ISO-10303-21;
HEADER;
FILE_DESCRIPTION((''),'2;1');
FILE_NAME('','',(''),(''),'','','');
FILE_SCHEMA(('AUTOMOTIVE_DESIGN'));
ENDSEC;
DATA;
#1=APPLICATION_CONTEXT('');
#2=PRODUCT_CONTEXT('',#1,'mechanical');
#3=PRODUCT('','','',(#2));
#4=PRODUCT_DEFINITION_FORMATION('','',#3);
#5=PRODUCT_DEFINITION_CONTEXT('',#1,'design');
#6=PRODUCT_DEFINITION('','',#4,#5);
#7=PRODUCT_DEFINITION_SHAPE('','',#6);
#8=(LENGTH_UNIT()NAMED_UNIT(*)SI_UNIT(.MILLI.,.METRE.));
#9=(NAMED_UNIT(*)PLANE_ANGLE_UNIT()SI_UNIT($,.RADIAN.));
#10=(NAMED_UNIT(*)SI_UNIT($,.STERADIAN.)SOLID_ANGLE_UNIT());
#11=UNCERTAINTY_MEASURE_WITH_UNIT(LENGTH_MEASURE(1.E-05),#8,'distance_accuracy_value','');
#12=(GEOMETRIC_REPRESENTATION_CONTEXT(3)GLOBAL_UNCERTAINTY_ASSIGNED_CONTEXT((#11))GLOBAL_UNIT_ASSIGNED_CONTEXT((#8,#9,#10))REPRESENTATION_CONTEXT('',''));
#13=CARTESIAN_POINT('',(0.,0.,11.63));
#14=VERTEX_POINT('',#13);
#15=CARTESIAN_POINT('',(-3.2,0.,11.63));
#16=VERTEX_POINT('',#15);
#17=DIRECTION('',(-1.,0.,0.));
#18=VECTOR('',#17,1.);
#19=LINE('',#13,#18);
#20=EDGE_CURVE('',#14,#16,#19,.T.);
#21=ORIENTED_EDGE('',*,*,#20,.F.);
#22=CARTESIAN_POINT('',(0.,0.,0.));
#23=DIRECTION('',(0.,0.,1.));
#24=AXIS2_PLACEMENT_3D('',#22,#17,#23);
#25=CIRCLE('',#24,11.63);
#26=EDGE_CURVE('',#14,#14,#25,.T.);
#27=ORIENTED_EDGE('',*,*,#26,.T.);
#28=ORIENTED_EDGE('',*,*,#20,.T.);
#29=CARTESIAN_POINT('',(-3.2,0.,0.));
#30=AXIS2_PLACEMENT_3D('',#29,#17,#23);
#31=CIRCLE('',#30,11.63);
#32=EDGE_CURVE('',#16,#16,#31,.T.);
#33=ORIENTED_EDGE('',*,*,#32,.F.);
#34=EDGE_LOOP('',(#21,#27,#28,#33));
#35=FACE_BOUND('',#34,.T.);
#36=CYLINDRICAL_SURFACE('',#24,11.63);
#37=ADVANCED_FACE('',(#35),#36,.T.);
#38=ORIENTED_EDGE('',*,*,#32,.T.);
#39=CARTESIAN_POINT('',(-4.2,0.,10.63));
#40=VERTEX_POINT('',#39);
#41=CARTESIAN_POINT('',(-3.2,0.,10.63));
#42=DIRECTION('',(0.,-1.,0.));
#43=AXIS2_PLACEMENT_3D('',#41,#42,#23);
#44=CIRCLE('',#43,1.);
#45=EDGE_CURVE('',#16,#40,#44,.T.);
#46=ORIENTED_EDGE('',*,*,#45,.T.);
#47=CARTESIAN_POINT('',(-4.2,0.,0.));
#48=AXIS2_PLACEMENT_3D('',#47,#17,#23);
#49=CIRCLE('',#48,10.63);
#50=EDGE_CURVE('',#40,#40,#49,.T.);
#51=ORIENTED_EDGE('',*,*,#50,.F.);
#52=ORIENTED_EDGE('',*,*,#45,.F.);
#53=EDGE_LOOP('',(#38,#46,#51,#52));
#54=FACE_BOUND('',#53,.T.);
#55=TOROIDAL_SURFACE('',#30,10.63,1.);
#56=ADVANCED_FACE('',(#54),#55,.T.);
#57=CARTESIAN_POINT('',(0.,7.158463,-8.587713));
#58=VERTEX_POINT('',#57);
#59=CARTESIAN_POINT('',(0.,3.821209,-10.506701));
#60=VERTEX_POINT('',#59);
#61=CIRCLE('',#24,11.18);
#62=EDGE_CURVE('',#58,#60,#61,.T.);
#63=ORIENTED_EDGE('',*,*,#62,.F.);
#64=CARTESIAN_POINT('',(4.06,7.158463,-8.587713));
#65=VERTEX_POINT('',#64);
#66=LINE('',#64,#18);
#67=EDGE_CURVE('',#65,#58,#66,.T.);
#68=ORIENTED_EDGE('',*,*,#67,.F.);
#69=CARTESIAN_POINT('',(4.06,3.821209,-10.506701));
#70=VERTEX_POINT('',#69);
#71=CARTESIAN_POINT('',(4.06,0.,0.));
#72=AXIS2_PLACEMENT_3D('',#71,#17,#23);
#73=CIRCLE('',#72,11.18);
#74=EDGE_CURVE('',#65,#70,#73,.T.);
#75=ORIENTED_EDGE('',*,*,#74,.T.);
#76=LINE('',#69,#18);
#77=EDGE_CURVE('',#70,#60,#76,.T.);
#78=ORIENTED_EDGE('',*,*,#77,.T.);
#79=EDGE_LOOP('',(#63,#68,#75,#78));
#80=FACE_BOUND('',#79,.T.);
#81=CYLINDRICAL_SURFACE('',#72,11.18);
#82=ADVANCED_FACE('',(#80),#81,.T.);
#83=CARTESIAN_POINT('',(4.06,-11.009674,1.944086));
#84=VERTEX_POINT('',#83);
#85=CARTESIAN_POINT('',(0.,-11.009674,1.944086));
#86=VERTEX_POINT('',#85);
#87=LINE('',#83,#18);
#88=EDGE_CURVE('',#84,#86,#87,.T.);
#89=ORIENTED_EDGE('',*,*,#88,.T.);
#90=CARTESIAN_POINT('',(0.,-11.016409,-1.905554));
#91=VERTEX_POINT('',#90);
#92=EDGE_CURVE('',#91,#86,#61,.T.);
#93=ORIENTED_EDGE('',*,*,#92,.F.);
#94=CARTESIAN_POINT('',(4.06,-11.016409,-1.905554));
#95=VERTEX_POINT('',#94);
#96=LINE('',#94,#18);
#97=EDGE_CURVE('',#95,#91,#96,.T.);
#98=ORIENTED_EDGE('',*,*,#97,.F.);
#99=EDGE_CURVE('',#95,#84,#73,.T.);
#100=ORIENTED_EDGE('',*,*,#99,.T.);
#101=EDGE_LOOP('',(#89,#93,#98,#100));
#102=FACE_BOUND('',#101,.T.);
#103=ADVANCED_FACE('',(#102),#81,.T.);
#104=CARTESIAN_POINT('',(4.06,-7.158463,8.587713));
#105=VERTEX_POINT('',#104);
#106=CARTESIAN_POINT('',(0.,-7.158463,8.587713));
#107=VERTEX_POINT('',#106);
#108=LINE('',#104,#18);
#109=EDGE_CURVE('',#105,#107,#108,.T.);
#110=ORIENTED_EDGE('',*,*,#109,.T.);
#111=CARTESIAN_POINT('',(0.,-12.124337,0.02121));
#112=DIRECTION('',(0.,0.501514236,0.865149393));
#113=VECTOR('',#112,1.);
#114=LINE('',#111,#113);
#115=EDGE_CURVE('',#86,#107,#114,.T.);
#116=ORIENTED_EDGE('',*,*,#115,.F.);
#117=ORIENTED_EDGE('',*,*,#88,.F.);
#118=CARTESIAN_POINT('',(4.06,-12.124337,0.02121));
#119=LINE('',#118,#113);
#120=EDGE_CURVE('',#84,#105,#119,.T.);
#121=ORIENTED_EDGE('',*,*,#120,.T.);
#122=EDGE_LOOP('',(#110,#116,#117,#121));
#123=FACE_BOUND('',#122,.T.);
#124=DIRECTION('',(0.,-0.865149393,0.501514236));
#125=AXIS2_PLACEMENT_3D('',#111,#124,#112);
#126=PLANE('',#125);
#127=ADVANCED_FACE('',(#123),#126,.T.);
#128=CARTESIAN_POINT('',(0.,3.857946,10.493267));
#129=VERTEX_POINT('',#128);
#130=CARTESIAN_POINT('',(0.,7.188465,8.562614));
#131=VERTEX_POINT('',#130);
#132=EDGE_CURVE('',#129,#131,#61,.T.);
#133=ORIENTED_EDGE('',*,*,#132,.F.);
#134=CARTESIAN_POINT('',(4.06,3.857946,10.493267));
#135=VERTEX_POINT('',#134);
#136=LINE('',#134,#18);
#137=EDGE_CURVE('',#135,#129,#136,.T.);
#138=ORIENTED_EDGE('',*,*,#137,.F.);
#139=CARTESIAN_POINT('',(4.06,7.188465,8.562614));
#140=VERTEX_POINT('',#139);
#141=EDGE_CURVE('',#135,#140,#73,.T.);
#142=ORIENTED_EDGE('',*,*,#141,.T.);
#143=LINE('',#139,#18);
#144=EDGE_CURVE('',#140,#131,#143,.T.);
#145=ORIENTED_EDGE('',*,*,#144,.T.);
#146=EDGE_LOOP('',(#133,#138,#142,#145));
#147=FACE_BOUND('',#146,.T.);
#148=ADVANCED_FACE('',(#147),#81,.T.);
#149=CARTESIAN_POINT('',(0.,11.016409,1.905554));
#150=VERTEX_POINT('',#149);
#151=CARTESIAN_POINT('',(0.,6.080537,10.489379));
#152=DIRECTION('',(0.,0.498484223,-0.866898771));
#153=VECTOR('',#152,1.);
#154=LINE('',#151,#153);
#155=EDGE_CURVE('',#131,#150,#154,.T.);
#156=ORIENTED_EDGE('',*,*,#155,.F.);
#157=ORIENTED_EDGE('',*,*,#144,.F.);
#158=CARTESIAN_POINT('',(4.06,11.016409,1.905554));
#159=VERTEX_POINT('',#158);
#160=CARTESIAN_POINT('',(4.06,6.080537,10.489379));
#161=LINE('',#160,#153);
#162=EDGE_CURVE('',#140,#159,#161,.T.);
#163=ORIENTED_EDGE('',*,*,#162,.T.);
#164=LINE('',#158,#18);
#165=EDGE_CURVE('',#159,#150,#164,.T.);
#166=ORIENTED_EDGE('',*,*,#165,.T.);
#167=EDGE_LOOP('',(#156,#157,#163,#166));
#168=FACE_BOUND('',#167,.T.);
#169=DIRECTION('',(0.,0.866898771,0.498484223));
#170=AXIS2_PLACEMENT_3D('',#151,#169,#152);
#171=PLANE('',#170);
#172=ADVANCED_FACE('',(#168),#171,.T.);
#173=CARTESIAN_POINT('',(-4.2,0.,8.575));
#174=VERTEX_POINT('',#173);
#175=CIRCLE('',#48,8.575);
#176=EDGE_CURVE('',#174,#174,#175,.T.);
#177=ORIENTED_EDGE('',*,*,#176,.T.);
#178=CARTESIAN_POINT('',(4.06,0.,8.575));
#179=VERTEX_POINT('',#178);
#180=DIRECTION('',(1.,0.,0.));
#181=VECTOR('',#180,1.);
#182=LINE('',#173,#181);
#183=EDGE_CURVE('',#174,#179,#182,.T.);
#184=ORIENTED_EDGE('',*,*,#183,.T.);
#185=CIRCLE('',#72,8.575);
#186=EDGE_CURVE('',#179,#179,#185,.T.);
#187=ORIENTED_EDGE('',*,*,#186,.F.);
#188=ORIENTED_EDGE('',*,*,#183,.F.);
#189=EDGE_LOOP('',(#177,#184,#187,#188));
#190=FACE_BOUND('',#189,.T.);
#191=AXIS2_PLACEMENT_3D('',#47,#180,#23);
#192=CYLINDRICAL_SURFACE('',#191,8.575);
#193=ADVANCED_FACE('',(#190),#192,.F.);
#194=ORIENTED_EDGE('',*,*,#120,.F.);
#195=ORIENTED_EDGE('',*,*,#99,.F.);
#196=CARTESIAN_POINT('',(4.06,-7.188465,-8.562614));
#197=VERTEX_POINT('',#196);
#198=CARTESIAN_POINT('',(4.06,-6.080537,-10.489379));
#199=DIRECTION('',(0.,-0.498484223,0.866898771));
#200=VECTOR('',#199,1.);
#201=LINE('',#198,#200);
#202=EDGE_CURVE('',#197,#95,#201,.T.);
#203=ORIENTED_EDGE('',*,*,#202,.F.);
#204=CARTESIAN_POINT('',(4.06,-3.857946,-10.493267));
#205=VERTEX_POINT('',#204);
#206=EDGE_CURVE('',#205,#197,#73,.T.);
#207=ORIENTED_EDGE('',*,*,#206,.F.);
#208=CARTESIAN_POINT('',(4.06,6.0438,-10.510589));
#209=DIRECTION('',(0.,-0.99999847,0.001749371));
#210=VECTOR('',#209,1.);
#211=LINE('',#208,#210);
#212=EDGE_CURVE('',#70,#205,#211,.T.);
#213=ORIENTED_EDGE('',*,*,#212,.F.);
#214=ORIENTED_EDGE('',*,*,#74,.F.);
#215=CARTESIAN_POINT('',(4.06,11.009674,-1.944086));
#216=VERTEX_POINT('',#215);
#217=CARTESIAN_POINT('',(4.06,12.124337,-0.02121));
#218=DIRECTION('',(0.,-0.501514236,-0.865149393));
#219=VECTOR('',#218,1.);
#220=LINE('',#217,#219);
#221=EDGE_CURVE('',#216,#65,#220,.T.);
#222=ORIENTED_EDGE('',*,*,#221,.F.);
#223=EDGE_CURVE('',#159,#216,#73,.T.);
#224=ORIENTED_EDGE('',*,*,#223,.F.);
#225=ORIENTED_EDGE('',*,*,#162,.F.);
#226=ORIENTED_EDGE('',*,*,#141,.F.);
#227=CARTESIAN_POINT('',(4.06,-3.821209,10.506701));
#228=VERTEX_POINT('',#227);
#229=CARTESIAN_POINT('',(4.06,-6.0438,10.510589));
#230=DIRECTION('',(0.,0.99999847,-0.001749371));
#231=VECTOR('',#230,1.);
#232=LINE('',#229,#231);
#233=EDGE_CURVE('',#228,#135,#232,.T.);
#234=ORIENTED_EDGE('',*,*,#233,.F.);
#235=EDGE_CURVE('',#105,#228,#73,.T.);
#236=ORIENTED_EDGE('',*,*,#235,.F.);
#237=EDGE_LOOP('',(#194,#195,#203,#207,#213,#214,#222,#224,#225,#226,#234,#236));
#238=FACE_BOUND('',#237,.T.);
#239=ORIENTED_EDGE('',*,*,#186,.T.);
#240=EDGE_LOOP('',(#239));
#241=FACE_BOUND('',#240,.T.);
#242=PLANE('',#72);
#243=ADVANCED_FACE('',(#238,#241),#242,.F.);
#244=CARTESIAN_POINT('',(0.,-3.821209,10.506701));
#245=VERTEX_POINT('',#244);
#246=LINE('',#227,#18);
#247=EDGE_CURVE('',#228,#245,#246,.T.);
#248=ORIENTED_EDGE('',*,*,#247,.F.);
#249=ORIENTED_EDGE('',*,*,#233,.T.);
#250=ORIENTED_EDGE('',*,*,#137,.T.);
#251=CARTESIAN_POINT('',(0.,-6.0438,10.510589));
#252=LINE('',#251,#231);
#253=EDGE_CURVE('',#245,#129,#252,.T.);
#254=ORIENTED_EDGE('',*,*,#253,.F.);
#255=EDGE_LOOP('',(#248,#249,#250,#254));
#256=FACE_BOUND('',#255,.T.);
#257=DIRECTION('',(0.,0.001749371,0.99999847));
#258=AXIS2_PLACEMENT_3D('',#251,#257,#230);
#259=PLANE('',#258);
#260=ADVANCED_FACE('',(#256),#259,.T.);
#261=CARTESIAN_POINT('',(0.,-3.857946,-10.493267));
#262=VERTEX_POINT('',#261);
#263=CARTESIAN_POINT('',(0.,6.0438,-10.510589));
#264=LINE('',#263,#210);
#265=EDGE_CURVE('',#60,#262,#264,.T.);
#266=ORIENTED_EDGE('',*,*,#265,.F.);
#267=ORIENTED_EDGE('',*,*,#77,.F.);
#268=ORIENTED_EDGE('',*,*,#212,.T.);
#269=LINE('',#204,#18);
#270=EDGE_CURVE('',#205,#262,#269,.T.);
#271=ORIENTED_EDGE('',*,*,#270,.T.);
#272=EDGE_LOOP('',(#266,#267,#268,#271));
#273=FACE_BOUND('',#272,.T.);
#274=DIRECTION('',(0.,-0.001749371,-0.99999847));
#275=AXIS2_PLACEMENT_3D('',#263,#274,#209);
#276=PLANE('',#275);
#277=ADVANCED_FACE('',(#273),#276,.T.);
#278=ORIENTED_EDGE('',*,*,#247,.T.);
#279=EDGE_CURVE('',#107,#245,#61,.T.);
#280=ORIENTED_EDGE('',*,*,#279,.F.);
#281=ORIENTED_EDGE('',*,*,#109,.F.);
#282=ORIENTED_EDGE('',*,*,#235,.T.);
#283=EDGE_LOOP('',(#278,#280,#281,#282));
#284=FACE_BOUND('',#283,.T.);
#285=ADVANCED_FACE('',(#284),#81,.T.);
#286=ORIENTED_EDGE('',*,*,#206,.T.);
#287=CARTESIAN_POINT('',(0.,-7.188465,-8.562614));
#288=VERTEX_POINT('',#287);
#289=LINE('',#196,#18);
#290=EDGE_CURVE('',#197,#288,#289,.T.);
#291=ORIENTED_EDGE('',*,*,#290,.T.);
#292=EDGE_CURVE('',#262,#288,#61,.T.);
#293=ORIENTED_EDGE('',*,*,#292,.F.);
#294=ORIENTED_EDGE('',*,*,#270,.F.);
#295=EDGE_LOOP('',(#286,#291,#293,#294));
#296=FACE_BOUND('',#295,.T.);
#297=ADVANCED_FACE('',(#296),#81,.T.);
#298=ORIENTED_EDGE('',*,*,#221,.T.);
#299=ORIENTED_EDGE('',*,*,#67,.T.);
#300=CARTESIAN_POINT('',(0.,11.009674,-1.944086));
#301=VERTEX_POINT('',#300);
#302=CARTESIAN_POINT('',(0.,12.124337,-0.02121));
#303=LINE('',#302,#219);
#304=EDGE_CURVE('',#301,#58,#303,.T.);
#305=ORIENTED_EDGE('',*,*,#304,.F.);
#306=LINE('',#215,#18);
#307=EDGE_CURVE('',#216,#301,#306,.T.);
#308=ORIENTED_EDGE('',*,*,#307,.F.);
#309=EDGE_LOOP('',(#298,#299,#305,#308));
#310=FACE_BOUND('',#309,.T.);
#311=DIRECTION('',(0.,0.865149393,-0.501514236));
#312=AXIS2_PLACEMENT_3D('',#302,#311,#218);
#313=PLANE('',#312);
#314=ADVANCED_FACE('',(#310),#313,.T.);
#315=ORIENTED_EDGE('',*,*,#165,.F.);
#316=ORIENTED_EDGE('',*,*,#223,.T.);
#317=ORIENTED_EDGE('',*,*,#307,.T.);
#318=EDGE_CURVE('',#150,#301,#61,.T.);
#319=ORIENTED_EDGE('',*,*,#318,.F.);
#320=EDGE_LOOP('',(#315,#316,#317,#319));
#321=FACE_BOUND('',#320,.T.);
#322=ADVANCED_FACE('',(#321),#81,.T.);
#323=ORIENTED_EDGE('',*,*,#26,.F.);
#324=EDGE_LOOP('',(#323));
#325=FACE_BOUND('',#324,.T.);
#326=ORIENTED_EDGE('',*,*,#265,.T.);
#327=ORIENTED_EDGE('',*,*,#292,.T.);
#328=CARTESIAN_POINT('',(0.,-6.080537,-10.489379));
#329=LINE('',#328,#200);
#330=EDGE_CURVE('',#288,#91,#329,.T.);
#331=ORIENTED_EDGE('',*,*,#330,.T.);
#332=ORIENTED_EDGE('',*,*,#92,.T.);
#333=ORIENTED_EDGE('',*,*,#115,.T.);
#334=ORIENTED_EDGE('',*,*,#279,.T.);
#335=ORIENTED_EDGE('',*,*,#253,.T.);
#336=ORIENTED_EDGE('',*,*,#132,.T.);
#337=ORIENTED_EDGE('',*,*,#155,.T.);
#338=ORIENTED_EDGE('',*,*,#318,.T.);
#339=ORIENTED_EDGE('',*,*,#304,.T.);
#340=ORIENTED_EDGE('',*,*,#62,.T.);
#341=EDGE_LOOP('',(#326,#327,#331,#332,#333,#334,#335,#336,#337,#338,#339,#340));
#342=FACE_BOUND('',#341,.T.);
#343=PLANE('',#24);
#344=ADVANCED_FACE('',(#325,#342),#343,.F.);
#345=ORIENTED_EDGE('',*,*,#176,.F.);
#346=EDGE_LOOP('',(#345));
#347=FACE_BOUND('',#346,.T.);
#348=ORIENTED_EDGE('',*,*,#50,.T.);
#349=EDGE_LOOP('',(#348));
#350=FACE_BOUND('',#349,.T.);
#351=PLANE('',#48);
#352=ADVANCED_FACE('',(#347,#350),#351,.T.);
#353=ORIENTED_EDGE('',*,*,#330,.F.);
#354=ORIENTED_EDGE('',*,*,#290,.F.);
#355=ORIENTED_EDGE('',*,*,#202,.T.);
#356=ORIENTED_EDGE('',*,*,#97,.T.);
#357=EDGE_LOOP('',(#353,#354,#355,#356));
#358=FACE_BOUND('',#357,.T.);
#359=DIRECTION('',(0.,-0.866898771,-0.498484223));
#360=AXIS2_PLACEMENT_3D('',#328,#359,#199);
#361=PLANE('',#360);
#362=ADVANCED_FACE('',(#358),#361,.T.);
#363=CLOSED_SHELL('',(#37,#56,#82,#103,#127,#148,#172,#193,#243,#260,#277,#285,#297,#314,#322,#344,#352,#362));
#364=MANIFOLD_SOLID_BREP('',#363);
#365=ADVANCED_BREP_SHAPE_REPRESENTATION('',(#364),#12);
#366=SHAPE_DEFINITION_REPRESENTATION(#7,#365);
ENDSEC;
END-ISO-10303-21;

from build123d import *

# Parameters (mm, degrees)
F2_R     = 12.5
F3_DEPTH = 4.06
F4_R     = 1


with BuildPart() as f1:
    # F0 (on Front) → F1 (revolve)
    with BuildSketch(Plane.XZ):
        Polygon((-4.2, 8.575), (4.06, 8.575), (4.06, 11.18), (0, 11.18), (0, 11.63), (-4.2, 11.63), align=None)
    revolve(axis=Axis((0.086747, 0, 0), (-1, 0, 0)))

    # F2 (on Right) → F3 (cut, through all)
    with BuildSketch(Plane.YZ):
        Circle(F2_R)
        Polygon((-6.0438, 10.510589), (6.080537, 10.489379), (12.124337, -0.02121), (6.0438, -10.510589), (-6.080537, -10.489379), (-12.124337, 0.02121), align=None, mode=Mode.SUBTRACT)
    extrude(amount=F3_DEPTH, mode=Mode.SUBTRACT)

    # F4
    f4_edges = [f1.edges().sort_by_distance(p)[0] for p in [
        (-4.2, 0, -11.63),
    ]]
    fillet(f4_edges, radius=F4_R)


solid = f1.part
